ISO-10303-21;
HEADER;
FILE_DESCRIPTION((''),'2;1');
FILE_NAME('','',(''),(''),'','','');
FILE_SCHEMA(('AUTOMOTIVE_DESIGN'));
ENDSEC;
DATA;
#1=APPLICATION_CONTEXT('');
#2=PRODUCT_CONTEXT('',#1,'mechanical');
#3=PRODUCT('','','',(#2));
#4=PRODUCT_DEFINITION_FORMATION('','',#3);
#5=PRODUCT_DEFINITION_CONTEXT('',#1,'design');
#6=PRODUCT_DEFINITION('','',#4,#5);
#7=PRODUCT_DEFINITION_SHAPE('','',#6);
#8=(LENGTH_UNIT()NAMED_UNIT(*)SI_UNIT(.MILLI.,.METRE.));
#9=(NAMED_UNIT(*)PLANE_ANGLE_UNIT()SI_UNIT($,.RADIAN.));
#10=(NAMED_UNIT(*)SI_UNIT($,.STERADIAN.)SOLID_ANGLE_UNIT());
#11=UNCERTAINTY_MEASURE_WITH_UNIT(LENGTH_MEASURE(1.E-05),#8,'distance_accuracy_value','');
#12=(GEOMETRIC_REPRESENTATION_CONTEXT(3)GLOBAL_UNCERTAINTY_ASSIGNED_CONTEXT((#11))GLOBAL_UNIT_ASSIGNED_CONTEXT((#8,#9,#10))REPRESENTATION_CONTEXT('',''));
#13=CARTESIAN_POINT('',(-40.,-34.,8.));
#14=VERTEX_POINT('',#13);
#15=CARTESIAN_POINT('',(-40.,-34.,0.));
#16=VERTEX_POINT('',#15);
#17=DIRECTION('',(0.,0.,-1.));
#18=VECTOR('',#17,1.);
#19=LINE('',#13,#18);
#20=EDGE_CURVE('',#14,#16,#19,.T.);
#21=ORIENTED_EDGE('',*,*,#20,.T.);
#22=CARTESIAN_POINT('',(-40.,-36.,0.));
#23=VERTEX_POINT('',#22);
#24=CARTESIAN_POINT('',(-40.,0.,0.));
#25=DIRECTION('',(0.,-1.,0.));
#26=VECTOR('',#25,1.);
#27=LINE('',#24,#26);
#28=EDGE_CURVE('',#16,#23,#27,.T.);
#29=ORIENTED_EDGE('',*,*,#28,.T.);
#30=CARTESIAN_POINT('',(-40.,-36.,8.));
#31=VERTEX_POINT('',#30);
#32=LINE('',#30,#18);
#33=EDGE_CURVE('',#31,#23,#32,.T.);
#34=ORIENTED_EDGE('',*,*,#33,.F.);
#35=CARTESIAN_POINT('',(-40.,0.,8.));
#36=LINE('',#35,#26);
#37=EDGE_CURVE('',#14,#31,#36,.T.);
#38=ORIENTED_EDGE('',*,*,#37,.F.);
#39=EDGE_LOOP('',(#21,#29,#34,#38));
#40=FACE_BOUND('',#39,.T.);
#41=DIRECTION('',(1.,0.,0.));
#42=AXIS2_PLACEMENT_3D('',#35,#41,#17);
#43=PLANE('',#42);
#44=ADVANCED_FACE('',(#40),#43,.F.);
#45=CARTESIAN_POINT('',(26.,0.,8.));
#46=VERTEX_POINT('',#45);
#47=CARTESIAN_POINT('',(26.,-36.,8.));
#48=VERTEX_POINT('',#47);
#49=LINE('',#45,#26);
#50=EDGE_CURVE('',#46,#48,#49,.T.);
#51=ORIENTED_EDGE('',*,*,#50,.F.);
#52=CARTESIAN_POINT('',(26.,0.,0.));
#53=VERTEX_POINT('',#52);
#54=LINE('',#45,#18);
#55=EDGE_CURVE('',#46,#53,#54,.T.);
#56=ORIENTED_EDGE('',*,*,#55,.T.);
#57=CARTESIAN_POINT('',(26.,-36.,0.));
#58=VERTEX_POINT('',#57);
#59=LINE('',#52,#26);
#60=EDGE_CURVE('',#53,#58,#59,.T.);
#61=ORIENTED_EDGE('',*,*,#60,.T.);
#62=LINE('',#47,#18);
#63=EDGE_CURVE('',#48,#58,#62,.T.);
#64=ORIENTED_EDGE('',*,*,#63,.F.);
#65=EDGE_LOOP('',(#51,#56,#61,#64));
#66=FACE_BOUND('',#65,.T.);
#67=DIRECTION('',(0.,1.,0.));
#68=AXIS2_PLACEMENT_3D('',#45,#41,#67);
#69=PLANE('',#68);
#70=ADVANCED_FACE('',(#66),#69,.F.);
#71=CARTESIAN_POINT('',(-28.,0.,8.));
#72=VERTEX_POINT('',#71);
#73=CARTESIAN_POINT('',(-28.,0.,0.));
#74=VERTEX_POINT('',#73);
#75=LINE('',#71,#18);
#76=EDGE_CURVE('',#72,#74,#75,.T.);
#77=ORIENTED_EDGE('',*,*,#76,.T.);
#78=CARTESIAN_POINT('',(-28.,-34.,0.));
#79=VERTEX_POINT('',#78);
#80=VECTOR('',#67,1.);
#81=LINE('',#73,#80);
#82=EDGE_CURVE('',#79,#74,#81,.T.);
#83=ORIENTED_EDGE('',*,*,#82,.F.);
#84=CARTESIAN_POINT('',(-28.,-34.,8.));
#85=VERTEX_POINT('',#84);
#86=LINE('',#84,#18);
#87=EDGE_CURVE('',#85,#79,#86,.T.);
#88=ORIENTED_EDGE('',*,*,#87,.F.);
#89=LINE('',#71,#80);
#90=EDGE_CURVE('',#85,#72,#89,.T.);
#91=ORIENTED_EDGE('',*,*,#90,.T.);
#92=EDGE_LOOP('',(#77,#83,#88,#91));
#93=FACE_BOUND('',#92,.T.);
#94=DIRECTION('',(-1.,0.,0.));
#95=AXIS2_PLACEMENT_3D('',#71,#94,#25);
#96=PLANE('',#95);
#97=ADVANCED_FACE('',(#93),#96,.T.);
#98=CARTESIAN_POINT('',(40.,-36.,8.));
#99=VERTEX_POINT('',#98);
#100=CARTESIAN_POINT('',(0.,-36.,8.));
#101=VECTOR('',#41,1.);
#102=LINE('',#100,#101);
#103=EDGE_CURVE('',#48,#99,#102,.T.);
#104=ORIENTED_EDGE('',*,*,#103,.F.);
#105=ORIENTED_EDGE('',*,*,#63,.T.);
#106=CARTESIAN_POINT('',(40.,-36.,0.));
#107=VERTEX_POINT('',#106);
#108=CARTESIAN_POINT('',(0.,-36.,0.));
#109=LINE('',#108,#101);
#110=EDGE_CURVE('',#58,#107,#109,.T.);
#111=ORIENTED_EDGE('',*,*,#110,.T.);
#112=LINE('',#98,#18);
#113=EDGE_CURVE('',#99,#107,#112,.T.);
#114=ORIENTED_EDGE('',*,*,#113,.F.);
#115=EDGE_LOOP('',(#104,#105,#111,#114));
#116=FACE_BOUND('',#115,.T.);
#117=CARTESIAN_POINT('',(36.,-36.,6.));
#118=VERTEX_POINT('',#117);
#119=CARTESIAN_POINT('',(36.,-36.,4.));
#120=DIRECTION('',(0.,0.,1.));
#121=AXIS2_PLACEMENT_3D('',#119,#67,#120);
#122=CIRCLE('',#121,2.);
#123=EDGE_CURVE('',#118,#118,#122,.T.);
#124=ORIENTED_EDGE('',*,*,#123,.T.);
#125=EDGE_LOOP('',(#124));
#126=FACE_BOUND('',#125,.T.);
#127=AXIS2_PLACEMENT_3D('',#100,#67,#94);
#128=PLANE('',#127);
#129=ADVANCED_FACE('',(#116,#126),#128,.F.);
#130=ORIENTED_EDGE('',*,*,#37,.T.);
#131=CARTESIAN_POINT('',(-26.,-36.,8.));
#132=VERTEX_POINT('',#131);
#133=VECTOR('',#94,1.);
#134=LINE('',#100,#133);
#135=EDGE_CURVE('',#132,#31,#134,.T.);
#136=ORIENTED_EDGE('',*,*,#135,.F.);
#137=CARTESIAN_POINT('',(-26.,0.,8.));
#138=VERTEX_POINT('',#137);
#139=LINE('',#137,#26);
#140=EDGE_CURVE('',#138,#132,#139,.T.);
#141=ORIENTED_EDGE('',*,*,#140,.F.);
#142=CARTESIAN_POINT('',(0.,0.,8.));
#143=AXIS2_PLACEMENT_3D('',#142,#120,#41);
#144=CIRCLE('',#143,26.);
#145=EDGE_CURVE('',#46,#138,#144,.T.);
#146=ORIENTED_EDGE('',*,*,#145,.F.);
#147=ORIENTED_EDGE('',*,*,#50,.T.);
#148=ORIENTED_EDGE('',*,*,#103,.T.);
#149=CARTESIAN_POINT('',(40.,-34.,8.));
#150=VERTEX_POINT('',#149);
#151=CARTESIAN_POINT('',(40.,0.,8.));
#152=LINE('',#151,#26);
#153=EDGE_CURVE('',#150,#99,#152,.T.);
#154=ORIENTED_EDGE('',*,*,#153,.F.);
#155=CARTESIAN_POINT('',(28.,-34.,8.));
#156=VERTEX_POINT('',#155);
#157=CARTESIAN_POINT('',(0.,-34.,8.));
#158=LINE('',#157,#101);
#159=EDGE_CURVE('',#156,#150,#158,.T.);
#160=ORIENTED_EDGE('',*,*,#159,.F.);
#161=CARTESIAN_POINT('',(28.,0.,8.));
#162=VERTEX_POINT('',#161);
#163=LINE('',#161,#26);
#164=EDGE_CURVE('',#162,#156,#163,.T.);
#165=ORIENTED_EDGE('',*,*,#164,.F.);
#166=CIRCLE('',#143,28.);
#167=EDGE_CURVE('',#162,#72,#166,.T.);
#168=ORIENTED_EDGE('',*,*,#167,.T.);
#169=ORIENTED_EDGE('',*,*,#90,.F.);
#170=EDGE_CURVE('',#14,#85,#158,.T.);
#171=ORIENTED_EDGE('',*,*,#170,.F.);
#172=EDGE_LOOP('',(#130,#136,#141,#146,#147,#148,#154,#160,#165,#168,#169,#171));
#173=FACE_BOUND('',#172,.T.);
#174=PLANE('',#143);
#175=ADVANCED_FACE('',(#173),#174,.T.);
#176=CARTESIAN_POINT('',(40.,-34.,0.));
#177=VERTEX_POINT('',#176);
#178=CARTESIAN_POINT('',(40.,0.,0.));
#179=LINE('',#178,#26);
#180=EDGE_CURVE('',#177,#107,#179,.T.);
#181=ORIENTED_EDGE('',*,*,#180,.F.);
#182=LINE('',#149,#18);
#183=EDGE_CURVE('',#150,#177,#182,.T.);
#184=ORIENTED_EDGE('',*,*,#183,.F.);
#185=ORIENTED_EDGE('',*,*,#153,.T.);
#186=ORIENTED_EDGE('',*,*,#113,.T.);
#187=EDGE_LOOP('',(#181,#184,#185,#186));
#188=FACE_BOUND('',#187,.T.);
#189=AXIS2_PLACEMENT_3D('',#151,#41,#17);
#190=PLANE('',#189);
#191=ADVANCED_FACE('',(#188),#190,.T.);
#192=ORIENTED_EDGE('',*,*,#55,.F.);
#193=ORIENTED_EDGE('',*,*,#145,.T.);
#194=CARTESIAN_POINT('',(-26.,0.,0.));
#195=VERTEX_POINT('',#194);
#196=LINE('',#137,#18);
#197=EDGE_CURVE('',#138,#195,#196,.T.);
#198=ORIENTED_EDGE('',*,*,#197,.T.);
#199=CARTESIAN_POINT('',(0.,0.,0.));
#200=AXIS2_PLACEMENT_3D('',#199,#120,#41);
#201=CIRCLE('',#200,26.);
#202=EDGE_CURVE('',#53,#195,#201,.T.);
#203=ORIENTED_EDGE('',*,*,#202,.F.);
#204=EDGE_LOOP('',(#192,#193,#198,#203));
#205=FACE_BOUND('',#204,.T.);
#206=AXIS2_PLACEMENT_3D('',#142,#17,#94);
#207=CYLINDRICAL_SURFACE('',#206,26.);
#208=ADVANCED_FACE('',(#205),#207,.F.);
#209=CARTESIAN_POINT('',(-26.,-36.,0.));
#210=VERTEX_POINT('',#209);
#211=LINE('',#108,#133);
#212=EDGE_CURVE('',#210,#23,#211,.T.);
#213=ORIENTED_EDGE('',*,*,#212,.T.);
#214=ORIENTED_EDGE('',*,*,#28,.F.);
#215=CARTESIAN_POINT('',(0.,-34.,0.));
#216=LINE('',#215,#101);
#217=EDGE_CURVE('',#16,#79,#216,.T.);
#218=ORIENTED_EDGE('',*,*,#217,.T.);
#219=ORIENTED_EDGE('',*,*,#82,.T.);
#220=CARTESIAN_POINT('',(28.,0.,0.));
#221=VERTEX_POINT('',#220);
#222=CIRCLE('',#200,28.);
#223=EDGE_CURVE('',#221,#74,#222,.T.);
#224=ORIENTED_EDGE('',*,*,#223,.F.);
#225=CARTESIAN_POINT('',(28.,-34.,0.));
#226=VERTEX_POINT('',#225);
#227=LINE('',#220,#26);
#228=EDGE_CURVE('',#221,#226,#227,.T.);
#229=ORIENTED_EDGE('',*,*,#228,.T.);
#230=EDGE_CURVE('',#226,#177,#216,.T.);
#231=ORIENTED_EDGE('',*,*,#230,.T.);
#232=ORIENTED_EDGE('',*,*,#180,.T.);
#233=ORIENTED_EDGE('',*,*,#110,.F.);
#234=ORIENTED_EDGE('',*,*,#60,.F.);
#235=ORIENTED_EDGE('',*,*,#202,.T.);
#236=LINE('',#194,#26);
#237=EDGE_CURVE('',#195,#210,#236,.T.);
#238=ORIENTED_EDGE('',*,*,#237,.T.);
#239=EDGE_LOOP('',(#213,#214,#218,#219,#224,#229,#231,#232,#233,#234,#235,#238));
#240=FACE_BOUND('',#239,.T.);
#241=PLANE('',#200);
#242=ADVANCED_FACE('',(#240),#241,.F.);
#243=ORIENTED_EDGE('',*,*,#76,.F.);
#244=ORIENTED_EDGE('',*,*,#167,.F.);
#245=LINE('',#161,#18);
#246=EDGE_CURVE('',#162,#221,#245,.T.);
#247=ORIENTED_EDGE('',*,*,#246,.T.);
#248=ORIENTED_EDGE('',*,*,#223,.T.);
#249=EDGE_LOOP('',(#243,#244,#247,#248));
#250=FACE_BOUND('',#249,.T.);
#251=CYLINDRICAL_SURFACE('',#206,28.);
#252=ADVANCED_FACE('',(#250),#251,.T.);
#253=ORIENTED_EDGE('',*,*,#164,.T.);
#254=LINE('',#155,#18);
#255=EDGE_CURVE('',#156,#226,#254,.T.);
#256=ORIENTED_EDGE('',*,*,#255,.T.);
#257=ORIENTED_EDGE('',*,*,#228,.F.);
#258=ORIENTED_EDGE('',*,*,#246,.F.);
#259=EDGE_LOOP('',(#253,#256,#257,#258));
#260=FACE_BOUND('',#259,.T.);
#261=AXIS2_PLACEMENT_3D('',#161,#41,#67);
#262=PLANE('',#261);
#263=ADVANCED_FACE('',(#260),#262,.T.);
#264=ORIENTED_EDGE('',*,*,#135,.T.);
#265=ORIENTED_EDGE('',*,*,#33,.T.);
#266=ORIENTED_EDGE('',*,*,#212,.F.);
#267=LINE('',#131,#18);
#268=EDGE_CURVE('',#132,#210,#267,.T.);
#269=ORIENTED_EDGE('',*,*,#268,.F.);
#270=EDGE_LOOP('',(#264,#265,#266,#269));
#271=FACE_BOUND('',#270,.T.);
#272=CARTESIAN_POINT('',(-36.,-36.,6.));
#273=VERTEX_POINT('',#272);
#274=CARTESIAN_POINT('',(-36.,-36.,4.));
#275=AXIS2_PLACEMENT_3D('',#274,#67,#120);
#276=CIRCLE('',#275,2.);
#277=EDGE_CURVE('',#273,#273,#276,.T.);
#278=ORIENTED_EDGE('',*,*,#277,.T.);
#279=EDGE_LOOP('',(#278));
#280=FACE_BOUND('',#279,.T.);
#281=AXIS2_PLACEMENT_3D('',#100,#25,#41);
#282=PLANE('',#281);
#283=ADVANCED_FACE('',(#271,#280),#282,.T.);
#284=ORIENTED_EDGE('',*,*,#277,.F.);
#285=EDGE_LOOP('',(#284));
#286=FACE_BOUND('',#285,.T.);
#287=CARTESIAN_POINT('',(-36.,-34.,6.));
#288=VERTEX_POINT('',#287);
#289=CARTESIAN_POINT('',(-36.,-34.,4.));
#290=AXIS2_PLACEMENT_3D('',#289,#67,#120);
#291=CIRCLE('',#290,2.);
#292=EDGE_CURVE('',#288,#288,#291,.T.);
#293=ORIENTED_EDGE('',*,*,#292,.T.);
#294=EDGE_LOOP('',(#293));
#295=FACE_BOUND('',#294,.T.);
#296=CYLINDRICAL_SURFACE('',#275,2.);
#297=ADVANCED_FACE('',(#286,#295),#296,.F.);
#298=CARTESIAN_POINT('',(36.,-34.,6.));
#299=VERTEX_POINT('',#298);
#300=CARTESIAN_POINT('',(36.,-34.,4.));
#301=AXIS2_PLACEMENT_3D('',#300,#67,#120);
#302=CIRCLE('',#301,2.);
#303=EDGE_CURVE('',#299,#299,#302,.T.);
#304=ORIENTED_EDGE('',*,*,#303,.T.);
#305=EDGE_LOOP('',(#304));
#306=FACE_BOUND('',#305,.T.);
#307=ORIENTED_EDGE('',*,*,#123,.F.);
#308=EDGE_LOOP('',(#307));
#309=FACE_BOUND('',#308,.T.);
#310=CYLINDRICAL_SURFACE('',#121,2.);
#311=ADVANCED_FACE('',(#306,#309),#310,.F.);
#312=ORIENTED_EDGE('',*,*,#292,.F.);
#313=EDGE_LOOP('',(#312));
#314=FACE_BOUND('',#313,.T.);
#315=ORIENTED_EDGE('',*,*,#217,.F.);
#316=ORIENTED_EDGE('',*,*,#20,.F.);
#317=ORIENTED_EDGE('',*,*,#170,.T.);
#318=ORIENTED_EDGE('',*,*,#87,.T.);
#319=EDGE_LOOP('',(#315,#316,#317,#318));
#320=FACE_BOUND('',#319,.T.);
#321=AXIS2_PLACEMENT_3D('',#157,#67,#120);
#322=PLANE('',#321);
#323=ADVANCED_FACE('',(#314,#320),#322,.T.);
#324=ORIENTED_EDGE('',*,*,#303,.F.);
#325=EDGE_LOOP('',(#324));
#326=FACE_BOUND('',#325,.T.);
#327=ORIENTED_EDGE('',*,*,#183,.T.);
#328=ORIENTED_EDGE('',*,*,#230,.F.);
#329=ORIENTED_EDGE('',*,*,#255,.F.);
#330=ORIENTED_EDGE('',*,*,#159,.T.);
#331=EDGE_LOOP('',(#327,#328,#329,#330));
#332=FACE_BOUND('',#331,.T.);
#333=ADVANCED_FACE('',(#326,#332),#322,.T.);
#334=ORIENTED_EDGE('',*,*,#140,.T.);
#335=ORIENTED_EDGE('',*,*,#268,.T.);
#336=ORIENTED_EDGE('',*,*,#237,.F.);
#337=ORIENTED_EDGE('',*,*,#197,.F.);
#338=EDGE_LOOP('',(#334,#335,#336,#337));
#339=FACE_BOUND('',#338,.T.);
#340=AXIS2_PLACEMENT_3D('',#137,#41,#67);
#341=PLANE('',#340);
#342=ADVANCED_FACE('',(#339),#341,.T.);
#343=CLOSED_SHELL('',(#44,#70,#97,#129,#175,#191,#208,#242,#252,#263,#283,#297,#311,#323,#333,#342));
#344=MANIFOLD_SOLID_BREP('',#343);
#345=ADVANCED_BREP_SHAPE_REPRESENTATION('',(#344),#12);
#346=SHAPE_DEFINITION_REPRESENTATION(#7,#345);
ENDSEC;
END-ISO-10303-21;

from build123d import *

# Parameters (mm, degrees)
BOSS_EXTRUDE1_DEPTH         = 8
TAP_DRILL_FOR_M4X0_7_TAP1_D = 3.3
SKETCH4_R                   = 2
CUT_EXTRUDE1_DEPTH          = 75.215901261


with BuildPart() as part:
    # Sketch3 → Boss-Extrude1 (new body)
    with BuildSketch(Plane.XY):
        with BuildLine():
            Line((28, 0), (28, -34))
            Line((28, -34), (40, -34))
            Line((40, -34), (40, -36))
            Line((40, -36), (26, -36))
            Line((26, -36), (26, 0))
            ThreePointArc((26, 0), (0, 26), (-26, 0))
            Line((-26, 0), (-26, -36))
            Line((-26, -36), (-40, -36))
            Line((-40, -36), (-40, -34))
            Line((-40, -34), (-28, -34))
            Line((-28, -34), (-28, 0))
            ThreePointArc((-28, 0), (0, 28), (28, 0))
        make_face()
    extrude(amount=BOSS_EXTRUDE1_DEPTH)

    # Tap Drill for M4x0.7 Tap1 (through all)
    with Locations(Plane(origin=(0, -34, 0), x_dir=(1, 0, 0), z_dir=(0, 1, 0))):
        with Locations((-36, -4), (36, -4)):
            Hole(TAP_DRILL_FOR_M4X0_7_TAP1_D / 2)

    # Sketch4 → Cut-Extrude1 (cut, through all)
    with BuildSketch(Plane(origin=(0, -34, 0), x_dir=(1, 0, 0), z_dir=(0, 1, 0))):
        with Locations(Location((-36, -4, 0), (0, 0, 270))):
            Circle(SKETCH4_R)
        with Locations(Location((36, -4, 0), (0, 0, 270))):
            Circle(SKETCH4_R)
    extrude(amount=-CUT_EXTRUDE1_DEPTH, mode=Mode.SUBTRACT)


solid = part.part
